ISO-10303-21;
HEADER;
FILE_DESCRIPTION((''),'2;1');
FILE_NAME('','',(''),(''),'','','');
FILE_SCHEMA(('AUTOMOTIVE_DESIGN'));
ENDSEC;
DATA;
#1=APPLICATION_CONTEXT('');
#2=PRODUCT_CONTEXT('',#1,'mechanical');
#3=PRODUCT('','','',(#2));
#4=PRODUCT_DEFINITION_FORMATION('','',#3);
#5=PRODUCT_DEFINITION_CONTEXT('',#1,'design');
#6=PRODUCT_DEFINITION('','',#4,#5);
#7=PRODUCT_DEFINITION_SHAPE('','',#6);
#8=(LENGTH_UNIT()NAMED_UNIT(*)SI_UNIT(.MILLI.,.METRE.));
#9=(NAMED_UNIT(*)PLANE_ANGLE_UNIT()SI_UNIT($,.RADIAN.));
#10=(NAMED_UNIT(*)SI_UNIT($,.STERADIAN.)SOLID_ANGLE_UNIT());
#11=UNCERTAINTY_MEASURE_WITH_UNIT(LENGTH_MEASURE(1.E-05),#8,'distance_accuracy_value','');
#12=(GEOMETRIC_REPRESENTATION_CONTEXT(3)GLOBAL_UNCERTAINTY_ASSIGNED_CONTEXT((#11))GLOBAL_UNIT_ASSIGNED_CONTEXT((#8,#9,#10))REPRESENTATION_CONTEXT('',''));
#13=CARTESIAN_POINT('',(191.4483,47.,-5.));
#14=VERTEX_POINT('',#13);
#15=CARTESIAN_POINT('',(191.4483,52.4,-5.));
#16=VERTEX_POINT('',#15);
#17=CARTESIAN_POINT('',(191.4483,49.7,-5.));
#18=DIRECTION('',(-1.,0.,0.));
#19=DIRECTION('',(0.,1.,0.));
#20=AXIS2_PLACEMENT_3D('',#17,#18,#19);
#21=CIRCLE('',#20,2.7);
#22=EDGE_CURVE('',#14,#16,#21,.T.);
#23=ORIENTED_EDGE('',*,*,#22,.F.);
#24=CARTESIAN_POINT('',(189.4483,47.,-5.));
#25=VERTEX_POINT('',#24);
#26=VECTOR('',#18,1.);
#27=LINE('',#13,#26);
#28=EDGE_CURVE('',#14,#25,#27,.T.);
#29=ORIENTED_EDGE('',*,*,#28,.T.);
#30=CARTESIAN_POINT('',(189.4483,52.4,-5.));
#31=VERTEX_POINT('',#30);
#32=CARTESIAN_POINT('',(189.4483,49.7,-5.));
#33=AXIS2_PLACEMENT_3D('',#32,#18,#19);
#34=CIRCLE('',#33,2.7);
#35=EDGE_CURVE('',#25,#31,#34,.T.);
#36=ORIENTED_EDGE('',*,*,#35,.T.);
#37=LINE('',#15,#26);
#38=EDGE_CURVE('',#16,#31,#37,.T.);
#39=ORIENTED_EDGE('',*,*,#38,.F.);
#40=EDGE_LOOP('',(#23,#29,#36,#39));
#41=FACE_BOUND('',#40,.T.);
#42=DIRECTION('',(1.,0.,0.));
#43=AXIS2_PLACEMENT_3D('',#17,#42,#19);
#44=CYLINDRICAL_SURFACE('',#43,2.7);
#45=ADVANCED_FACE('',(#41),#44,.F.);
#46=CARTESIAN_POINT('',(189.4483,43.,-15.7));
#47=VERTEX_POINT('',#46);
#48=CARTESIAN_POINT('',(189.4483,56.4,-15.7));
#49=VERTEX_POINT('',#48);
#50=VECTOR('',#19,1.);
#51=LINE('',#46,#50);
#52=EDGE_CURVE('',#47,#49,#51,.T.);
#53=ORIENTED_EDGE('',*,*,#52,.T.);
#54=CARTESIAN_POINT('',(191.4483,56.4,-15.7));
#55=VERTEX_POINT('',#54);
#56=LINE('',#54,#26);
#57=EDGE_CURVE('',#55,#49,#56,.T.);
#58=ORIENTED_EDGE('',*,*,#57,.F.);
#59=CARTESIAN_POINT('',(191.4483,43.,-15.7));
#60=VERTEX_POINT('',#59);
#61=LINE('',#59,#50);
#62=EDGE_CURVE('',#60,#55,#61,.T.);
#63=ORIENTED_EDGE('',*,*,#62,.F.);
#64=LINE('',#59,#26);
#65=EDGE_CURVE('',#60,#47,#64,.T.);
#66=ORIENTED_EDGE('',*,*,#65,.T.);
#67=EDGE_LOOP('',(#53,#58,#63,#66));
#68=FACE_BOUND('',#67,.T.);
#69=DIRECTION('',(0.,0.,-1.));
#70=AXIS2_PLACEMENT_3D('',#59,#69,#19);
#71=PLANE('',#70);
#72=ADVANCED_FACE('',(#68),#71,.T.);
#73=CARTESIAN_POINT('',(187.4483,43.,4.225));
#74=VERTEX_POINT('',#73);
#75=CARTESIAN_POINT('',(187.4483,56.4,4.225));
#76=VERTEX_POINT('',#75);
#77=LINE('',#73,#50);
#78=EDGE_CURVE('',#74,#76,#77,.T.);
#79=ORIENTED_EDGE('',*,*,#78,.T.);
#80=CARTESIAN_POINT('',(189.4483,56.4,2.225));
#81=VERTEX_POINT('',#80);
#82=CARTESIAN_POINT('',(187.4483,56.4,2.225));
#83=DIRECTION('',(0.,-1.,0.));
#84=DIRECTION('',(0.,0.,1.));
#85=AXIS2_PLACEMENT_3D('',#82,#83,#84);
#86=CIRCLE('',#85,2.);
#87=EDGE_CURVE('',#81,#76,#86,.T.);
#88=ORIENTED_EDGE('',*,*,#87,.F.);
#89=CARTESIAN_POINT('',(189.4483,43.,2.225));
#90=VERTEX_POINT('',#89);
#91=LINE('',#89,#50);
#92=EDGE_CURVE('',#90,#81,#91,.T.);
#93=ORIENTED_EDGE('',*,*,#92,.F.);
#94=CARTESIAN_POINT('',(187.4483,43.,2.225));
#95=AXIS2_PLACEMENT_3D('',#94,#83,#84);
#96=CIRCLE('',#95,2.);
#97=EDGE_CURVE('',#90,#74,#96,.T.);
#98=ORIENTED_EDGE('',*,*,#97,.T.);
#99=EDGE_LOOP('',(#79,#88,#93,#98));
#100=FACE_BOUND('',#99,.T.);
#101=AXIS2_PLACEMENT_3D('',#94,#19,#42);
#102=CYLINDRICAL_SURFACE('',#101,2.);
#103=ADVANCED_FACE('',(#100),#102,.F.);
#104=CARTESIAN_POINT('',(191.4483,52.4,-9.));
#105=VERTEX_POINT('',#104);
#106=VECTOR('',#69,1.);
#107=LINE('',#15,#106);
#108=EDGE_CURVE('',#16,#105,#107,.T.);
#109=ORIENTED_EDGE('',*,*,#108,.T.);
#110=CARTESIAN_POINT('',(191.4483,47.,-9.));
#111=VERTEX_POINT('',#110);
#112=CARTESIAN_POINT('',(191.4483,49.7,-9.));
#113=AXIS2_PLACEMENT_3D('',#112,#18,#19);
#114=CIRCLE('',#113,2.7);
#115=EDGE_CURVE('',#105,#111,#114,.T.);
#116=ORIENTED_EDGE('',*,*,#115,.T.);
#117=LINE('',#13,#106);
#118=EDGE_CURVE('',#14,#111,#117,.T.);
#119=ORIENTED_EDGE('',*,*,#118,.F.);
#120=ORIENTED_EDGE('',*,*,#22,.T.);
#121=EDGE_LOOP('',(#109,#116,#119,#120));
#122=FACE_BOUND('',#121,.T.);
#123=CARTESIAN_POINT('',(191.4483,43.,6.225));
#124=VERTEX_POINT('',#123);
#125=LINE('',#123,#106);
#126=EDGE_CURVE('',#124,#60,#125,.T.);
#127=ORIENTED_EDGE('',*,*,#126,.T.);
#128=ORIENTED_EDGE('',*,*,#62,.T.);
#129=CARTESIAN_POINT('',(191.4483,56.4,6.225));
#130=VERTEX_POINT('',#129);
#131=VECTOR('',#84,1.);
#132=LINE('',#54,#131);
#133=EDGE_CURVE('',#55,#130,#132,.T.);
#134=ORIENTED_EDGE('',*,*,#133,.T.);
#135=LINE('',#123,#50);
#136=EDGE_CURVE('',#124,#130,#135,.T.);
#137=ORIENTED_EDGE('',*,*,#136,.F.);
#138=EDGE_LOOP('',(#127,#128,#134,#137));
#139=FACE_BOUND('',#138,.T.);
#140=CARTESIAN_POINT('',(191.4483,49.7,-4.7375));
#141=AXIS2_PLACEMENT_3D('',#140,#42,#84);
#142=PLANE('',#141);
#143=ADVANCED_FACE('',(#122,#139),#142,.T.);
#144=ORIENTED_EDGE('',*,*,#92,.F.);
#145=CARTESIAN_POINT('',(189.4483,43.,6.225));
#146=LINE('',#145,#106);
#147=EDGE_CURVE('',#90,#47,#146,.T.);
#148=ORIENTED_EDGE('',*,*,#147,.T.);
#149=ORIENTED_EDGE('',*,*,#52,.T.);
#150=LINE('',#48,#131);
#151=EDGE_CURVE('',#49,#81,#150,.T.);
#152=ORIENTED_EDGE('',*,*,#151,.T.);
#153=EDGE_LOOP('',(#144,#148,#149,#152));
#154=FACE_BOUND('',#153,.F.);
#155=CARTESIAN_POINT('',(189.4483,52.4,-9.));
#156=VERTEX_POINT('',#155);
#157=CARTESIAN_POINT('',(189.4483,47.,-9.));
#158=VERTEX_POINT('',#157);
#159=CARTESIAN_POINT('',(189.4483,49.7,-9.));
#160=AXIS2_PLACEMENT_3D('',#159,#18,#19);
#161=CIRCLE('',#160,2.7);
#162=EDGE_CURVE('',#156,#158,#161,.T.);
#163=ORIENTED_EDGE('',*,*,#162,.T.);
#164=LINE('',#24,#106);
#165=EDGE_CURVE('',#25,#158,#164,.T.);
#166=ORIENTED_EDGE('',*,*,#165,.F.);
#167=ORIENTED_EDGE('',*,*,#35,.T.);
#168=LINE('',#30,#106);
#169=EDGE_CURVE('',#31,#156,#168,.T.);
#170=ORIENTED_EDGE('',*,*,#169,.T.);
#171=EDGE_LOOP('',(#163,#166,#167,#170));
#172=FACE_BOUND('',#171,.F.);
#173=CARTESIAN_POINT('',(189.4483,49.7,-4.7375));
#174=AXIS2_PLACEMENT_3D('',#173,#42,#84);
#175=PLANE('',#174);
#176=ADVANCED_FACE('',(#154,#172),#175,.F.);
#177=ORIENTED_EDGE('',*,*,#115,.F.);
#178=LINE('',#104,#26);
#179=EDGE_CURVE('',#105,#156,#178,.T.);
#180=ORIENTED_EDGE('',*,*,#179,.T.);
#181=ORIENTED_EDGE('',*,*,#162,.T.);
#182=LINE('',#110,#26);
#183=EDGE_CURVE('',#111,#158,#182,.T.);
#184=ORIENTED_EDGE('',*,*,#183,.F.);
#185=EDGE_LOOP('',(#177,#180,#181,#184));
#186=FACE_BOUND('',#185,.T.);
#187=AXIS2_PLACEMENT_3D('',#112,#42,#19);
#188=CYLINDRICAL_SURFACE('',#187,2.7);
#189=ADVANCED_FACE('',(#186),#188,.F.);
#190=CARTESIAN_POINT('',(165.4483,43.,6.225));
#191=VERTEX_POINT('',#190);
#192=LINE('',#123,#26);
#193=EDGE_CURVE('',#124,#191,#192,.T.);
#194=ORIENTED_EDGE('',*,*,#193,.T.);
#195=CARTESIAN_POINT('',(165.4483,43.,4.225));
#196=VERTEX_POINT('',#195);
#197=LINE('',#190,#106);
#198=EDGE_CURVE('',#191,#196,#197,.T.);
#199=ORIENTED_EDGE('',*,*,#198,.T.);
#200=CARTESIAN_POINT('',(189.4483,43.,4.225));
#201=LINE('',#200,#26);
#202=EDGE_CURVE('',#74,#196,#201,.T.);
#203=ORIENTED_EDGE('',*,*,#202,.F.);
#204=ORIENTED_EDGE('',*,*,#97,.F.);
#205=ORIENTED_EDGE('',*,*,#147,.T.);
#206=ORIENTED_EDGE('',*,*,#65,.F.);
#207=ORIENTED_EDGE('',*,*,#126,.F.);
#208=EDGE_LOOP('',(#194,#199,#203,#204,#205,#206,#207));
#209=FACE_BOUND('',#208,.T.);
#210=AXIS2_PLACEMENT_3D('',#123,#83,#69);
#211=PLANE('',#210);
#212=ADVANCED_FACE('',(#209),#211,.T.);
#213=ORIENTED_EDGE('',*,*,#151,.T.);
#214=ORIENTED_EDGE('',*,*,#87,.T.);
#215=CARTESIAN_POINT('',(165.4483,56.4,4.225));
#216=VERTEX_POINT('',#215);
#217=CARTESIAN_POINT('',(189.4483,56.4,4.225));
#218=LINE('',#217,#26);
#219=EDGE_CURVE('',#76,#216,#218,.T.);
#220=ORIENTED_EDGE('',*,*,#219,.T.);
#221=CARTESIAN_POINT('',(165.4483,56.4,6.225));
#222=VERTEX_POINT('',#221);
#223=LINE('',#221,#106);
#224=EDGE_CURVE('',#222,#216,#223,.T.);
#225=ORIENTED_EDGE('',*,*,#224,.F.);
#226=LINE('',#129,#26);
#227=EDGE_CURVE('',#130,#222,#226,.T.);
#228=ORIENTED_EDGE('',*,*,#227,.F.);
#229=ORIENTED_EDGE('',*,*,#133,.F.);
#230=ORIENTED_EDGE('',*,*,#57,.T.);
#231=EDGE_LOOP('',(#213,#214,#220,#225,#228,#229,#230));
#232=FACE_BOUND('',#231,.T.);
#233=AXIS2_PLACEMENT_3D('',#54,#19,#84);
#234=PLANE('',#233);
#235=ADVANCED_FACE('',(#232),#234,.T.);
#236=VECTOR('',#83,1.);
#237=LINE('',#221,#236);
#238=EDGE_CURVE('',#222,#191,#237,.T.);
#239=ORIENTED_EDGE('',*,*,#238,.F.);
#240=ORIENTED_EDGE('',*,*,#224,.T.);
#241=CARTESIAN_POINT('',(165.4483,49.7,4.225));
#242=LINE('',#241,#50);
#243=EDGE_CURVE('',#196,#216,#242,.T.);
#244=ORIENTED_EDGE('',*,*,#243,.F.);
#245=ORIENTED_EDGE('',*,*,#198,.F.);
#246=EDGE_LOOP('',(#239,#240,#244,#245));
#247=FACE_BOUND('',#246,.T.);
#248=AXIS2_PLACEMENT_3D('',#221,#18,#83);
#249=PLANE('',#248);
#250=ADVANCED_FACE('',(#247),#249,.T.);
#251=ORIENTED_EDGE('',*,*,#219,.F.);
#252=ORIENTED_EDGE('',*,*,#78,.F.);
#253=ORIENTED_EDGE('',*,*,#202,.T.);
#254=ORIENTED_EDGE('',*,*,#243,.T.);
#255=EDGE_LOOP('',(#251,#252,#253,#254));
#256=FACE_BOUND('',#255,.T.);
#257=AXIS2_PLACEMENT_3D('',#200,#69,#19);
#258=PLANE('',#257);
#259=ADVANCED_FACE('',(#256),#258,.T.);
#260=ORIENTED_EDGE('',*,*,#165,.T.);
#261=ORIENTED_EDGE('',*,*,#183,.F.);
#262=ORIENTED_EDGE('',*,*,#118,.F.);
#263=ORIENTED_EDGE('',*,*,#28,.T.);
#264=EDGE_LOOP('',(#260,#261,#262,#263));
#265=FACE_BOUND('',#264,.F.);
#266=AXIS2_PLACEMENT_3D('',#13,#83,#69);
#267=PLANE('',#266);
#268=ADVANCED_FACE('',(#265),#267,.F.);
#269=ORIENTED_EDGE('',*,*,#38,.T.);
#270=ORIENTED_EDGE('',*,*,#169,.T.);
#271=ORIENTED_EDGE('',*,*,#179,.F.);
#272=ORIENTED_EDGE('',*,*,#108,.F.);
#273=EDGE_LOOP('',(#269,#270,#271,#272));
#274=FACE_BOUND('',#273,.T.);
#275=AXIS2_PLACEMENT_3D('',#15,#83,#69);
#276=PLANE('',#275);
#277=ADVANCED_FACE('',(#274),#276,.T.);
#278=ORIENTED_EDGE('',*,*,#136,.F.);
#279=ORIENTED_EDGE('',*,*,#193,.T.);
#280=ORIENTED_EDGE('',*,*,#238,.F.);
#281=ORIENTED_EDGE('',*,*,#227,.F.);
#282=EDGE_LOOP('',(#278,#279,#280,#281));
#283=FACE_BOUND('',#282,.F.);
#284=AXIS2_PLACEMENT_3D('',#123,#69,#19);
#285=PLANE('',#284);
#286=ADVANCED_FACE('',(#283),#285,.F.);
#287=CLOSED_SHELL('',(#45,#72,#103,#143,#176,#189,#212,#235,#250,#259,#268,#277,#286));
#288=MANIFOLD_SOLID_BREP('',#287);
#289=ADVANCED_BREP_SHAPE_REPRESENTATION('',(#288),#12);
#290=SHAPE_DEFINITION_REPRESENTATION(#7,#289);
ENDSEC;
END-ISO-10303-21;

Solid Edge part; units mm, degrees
sketch "Sketch1" plane through (191.4483, 0, 0) normal (1, 0, 0) x (0, 1, 0)
  line L0 (43, 6.225) -> (43, -15.7)
  line L1 (43, -15.7) -> (56.4, -15.7)
  line L2 (56.4, -15.7) -> (56.4, 6.225)
  line L3 (43, 6.225) -> (56.4, 6.225)
  arc A0 (47, -5) -> (52.4, -5) centre (49.7, -5) cw
  line L4 (52.4, -5) -> (52.4, -9)
  arc A1 (52.4, -9) -> (47, -9) centre (49.7, -9) cw
  line L5 (47, -5) -> (47, -9)
  dimension "D1" = 4
  dimension "D2" = 0.5
  dimension "D3" = 2
extrude "ExtrudedProtrusion_1" add sketch "Sketch1" against normal blind 2
sketch "Sketch2" plane through (189.4483, 49.7, -4.7375) normal (-1, 0, 0) x (0, -1, 0)
  line L0 (6.7, 8.9625) -> (-6.7, 8.9625)
  line L1 (-6.7, 8.9625) -> (-6.7, 10.9625)
  line L2 (-6.7, 10.9625) -> (6.7, 10.9625)
  line L3 (6.7, 10.9625) -> (6.7, 8.9625)
extrude "ExtrudedProtrusion_2" add sketch "Sketch2" along normal blind 30
fillet "Round_1" radius 2 1 edges at (189.4483, 49.7, 4.225)
sketch "Sketch3" plane through (174.4483, 49.7, 6.225) normal (0, 0, 1) x (1, 0, 0)
  line L0 (-15, 6.7) -> (-9, 6.7)
  line L1 (-9, 6.7) -> (-9, -8.8596)
  dimension "D1" = 6
extrude "Cutout1" cut sketch "Sketch3" against normal through all material side at (162.4483, 56.35, 6.225)
properties material "ABS Plastic, medium impact"
